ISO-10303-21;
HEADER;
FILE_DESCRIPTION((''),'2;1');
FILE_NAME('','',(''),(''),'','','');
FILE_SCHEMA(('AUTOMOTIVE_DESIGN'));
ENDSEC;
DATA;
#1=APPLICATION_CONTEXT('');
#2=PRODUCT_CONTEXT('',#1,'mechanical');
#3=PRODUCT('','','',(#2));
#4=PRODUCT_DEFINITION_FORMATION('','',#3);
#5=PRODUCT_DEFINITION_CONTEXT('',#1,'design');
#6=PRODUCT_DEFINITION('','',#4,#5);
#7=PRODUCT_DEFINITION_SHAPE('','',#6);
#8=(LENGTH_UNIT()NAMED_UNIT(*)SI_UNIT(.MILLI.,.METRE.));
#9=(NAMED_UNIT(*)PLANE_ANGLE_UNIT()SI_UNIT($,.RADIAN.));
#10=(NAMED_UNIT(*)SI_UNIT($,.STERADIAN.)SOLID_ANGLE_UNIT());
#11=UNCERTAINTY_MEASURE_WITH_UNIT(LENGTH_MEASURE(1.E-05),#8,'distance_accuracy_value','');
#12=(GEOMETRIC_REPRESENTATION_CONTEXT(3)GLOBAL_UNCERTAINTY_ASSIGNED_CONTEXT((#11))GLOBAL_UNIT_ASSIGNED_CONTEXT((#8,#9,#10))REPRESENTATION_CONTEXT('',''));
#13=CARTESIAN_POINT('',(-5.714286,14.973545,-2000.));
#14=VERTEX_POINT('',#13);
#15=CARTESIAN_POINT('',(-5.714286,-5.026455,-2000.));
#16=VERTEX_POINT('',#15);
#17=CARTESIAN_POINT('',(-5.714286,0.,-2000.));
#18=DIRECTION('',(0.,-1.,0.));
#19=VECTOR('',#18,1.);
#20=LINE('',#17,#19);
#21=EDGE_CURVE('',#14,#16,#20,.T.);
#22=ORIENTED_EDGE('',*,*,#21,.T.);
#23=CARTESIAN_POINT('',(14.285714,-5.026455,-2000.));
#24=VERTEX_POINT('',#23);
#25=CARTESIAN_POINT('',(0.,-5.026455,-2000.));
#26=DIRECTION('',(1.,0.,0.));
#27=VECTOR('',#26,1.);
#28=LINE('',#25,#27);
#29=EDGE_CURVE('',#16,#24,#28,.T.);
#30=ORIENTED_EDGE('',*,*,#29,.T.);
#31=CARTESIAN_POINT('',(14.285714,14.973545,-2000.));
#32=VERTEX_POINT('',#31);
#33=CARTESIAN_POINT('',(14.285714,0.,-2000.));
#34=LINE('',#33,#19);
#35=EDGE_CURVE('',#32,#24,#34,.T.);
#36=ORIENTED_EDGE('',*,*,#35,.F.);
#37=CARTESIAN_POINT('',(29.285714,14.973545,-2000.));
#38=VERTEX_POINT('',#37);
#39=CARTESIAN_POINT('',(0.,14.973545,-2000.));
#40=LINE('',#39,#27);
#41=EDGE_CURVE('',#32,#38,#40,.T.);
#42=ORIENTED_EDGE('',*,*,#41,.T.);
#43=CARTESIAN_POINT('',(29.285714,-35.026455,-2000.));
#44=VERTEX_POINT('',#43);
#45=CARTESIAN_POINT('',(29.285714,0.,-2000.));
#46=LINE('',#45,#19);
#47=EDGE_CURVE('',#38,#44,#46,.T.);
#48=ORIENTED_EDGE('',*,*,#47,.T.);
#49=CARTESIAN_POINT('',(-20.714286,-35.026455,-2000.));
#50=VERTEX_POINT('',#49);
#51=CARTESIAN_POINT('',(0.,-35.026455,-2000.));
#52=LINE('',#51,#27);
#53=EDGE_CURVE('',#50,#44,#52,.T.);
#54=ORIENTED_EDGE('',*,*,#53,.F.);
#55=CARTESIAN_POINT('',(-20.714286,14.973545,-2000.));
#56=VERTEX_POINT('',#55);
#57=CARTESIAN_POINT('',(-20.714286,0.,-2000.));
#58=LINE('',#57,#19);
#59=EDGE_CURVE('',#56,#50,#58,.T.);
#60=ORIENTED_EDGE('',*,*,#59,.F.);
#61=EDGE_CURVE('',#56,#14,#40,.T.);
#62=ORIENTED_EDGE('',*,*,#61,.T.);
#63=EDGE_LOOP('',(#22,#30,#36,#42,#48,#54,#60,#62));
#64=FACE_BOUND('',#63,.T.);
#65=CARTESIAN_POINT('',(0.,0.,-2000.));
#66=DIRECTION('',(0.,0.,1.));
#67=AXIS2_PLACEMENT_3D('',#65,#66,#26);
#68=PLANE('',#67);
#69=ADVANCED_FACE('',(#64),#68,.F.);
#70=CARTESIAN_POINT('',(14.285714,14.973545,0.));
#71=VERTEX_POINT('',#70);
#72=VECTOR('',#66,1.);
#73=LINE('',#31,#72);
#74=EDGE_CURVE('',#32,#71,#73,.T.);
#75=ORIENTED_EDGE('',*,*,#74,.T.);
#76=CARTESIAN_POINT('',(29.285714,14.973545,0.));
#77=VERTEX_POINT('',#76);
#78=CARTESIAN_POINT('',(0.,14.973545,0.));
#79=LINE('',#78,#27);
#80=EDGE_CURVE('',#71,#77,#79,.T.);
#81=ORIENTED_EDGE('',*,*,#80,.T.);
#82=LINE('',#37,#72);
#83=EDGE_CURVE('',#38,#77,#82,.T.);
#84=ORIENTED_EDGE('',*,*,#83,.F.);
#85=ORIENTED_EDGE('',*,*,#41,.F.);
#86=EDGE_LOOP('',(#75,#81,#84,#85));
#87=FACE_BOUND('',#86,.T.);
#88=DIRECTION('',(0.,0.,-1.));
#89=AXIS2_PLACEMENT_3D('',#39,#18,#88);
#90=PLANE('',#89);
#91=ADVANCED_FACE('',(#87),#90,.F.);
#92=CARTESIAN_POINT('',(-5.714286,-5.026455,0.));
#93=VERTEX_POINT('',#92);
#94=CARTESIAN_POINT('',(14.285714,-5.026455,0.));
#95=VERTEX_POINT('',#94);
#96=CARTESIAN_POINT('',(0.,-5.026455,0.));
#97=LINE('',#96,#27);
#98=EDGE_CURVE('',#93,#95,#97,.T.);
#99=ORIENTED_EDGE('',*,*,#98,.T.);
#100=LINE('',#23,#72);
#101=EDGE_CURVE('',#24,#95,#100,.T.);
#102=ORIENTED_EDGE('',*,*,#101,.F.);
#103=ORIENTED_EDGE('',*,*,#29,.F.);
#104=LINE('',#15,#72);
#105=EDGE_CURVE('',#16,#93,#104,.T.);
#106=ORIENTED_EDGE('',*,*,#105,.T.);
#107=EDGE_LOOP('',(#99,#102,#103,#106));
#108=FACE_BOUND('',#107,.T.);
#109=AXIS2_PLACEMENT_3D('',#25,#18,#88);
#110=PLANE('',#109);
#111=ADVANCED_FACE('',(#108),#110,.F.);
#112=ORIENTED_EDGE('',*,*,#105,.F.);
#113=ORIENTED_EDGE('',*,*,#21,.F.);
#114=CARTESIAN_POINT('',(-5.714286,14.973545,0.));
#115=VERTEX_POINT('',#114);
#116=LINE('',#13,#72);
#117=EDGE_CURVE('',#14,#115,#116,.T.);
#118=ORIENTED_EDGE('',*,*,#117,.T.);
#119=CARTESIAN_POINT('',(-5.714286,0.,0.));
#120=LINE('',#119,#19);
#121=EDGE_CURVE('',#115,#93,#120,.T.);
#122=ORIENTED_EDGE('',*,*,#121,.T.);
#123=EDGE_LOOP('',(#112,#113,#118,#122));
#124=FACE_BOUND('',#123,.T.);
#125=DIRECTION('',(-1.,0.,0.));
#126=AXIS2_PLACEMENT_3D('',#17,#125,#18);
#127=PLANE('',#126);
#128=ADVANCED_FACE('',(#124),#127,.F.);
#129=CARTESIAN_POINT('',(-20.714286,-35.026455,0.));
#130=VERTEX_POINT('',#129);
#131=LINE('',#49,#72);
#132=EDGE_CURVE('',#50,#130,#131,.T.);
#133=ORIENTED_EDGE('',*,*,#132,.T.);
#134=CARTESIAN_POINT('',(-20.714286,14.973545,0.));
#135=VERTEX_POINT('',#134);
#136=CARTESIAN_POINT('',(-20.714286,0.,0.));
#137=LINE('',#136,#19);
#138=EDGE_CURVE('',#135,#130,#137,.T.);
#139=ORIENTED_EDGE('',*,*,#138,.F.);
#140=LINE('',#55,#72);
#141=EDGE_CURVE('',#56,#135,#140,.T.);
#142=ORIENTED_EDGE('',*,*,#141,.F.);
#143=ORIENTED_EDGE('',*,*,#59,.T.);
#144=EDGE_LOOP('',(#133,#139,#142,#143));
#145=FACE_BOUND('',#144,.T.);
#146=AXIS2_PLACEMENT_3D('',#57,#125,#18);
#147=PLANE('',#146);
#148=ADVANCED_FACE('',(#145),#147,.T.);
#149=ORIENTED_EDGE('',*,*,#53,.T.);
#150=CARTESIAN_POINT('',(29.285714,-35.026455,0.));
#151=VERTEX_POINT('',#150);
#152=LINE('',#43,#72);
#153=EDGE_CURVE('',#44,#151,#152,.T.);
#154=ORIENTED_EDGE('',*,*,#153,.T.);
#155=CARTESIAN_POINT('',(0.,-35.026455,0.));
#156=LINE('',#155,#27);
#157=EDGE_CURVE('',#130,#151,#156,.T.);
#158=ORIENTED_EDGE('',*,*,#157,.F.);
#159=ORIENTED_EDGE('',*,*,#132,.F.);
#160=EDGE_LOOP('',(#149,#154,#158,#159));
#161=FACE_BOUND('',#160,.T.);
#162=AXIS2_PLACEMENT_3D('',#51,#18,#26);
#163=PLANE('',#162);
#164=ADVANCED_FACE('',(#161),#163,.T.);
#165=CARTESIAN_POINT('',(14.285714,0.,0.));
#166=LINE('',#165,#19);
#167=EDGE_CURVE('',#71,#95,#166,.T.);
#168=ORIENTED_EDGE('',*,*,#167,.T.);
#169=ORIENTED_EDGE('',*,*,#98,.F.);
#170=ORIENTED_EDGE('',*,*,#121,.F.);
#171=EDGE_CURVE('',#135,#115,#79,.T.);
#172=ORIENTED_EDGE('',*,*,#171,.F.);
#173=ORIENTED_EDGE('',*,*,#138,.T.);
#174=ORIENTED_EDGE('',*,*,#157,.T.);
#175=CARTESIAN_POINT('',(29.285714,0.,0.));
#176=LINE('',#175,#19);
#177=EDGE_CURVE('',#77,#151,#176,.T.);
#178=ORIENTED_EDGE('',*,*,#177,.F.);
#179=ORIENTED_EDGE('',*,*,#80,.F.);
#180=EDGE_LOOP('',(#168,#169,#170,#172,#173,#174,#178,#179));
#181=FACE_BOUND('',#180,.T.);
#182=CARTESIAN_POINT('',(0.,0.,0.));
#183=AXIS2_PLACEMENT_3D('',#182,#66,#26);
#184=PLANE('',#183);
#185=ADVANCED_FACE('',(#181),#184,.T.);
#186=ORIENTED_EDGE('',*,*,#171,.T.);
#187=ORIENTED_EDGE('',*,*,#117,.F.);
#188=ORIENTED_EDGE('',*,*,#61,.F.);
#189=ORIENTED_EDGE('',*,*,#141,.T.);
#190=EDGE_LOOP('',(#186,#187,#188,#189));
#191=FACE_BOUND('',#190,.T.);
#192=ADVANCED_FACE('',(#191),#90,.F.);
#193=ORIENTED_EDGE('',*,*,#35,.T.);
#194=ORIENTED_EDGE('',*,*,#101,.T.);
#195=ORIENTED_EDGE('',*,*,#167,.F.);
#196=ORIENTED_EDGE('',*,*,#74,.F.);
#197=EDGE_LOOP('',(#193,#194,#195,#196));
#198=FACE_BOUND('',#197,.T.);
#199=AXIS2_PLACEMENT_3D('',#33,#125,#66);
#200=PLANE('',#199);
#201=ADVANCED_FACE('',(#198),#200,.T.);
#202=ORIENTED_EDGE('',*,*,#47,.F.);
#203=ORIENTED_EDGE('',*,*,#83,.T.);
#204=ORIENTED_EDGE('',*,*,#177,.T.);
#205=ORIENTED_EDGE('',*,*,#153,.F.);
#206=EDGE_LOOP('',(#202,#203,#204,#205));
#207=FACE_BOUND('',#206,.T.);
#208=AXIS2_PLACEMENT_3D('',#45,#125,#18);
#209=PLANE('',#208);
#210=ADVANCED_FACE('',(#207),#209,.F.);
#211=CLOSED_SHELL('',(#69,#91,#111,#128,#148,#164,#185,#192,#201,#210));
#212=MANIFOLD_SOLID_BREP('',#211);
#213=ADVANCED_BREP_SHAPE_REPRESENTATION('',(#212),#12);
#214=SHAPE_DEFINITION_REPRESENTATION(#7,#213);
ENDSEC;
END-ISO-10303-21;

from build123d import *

# Parameters (mm, degrees)
BOSS_EXTRUDE1_DEPTH = 2000


with BuildPart() as part:
    # Sketch1 → Boss-Extrude1 (new body)
    with BuildSketch(Plane.XY):
        Polygon((-5.714285714, 14.973544974), (-20.714285714, 14.973544974), (-20.714285714, -35.026455026), (29.285714286, -35.026455026), (29.285714286, 14.973544974), (14.285714286, 14.973544974), (14.285714286, -5.026455026), (-5.714285714, -5.026455026), align=None)
    extrude(amount=-BOSS_EXTRUDE1_DEPTH)


solid = part.part
